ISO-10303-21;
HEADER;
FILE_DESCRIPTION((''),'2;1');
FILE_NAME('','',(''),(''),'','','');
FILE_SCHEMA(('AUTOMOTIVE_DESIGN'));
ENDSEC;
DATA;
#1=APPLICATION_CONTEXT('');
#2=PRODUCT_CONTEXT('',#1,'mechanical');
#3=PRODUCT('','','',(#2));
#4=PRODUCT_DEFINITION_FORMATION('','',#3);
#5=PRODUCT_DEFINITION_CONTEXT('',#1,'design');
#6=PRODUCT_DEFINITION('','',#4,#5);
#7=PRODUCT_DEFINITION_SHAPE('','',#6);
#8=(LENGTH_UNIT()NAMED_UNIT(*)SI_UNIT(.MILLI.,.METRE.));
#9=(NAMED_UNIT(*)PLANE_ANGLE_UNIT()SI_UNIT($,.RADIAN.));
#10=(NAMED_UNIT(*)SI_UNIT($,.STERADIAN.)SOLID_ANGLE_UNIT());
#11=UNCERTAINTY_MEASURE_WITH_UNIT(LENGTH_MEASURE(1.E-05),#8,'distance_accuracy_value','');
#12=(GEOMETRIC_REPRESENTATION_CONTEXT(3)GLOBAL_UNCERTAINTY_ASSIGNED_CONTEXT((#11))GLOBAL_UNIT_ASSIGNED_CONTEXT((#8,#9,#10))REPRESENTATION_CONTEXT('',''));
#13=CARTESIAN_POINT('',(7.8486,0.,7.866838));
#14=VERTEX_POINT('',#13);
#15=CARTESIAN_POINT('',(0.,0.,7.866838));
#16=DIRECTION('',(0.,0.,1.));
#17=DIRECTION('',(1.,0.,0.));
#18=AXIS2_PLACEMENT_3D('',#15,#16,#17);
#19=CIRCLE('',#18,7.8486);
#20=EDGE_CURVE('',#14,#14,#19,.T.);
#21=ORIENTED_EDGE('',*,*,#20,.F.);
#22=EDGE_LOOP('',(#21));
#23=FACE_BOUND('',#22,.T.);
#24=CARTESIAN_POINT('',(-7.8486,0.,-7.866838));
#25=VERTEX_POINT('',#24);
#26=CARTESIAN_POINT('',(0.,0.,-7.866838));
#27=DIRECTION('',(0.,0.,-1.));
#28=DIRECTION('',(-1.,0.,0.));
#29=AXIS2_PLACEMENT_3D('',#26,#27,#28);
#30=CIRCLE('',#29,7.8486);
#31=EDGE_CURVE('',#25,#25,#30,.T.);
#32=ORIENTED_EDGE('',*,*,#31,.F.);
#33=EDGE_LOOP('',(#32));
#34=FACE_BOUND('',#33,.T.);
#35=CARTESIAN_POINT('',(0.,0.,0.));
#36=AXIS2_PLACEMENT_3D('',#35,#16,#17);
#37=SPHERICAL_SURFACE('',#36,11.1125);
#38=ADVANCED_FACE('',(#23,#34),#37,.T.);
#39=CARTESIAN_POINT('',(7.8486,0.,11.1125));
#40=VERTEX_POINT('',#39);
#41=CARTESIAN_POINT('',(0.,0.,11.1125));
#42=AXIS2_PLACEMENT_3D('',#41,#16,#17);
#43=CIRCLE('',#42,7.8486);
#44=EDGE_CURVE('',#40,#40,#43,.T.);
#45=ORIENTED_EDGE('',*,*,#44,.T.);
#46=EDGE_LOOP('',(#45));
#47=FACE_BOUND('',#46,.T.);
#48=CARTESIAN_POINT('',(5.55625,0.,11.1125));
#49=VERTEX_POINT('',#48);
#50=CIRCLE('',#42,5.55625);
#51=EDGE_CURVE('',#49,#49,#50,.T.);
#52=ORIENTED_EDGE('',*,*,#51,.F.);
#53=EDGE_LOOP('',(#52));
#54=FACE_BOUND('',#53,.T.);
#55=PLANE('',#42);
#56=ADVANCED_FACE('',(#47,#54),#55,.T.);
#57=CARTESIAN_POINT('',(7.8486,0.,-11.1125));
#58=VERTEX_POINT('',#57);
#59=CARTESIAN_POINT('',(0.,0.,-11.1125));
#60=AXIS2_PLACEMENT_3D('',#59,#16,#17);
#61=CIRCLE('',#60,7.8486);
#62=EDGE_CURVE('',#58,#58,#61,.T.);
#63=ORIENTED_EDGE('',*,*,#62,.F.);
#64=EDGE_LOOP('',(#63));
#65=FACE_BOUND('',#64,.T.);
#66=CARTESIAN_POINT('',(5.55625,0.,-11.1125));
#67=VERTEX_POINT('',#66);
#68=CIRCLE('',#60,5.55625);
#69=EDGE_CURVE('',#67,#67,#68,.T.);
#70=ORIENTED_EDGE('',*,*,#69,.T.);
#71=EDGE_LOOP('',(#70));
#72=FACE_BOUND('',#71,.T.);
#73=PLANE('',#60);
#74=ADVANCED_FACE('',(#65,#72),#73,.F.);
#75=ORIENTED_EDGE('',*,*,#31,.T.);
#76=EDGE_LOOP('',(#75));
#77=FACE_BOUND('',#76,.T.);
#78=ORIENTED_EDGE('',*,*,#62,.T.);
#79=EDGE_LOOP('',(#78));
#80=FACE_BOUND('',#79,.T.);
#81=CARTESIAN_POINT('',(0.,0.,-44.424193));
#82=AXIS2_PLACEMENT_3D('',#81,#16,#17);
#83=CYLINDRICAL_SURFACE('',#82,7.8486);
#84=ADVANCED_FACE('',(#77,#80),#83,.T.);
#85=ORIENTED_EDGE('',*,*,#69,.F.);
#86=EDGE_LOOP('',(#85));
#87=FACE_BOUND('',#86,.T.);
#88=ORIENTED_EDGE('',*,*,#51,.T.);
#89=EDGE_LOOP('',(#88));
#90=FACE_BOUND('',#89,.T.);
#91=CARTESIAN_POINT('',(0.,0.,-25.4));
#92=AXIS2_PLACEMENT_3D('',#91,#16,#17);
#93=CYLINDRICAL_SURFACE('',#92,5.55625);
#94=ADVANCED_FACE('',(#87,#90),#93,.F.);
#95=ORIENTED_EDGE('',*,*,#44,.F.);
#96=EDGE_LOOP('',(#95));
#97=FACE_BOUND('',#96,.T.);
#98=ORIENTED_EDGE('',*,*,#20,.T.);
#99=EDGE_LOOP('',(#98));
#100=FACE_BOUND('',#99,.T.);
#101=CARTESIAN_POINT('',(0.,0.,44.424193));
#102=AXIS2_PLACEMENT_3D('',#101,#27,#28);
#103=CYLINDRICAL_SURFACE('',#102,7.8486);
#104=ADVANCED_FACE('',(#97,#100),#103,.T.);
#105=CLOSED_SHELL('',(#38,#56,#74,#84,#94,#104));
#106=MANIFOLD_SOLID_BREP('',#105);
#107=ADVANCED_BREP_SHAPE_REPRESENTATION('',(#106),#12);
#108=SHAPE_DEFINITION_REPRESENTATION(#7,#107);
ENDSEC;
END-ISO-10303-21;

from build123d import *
from build123d.topology import SkipClean

# Parameters (mm, degrees)
SKETCH2_R           = 5.55625
EXTRUDE1_DEPTH      = 25.4
EXTRUDE2_REACH      = 26.641
SKETCH3_R           = 11.1125
BOSS_EXTRUDE1_START = 3.24566237
SKETCH4_R           = 7.8486
SKETCH4_R_2         = 5.55625
BOSS_EXTRUDE1_DEPTH = 3.24566237
SKETCH6_R           = 7.8486
SKETCH6_R_2         = 5.55625
BOSS_EXTRUDE2_DEPTH = 3.24566237


with BuildPart() as part:
    # Sketch1 → Revolve1 (revolve)
    with BuildSketch(Plane.XY):
        with BuildLine():
            Line((0, 11.1125), (0, -11.1125))
            ThreePointArc((0, -11.1125), (11.1125, 0), (0, 11.1125))
        make_face()
    revolve(axis=Axis((0, -11.1125, 0), (0, 1, 0)))

    # Sketch2 → Extrude1 (cut, symmetric)
    with BuildSketch(Plane.XY):
        with Locations(Location((0, 0, 0), (0, 0, 180))):
            Circle(SKETCH2_R)
    extrude(amount=EXTRUDE1_DEPTH, both=True, mode=Mode.SUBTRACT)

    # Sketch3 → Extrude2 (cut, up to next)
    with BuildSketch(Plane.XY.offset(7.86683763), mode=Mode.PRIVATE) as extrude2_sk1:
        Circle(SKETCH3_R)
    extrude2_tool1 = extrude(extrude2_sk1.sketch, amount=EXTRUDE2_REACH, mode=Mode.PRIVATE) & part.part
    extrude2 = extrude2_tool1.solids().sort_by_distance((0, 0, 7.866838))[0]
    add(extrude2, mode=Mode.SUBTRACT)

    # Sketch4 → Boss-Extrude1 (add)
    with SkipClean():  # the faces are left unmerged after this step: merging them gives an invalid solid
        with BuildSketch(Plane.XY.offset(7.86683763).offset(BOSS_EXTRUDE1_START)):
            Circle(SKETCH4_R)
            Circle(SKETCH4_R_2, mode=Mode.SUBTRACT)
        extrude(amount=-BOSS_EXTRUDE1_DEPTH)

    # Mirror1: Extrude2 across plane
    with SkipClean():  # the faces are left unmerged after this step: merging them gives an invalid solid
        add(extrude2.mirror(Plane.XY), mode=Mode.SUBTRACT)

    # Sketch6 → Boss-Extrude2 (add)
    with SkipClean():  # the faces are left unmerged after this step: merging them gives an invalid solid
        with BuildSketch(Plane(origin=(0, 0, -7.86683763), x_dir=(-1, 0, 0), z_dir=(0, 0, -1))):
            with Locations(Location((0, 0, 0), (0, 0, 180))):
                Circle(SKETCH6_R)
            with Locations(Location((0, 0, 0), (0, 0, 180))):
                Circle(SKETCH6_R_2, mode=Mode.SUBTRACT)
        extrude(amount=BOSS_EXTRUDE2_DEPTH)


solid = part.part
